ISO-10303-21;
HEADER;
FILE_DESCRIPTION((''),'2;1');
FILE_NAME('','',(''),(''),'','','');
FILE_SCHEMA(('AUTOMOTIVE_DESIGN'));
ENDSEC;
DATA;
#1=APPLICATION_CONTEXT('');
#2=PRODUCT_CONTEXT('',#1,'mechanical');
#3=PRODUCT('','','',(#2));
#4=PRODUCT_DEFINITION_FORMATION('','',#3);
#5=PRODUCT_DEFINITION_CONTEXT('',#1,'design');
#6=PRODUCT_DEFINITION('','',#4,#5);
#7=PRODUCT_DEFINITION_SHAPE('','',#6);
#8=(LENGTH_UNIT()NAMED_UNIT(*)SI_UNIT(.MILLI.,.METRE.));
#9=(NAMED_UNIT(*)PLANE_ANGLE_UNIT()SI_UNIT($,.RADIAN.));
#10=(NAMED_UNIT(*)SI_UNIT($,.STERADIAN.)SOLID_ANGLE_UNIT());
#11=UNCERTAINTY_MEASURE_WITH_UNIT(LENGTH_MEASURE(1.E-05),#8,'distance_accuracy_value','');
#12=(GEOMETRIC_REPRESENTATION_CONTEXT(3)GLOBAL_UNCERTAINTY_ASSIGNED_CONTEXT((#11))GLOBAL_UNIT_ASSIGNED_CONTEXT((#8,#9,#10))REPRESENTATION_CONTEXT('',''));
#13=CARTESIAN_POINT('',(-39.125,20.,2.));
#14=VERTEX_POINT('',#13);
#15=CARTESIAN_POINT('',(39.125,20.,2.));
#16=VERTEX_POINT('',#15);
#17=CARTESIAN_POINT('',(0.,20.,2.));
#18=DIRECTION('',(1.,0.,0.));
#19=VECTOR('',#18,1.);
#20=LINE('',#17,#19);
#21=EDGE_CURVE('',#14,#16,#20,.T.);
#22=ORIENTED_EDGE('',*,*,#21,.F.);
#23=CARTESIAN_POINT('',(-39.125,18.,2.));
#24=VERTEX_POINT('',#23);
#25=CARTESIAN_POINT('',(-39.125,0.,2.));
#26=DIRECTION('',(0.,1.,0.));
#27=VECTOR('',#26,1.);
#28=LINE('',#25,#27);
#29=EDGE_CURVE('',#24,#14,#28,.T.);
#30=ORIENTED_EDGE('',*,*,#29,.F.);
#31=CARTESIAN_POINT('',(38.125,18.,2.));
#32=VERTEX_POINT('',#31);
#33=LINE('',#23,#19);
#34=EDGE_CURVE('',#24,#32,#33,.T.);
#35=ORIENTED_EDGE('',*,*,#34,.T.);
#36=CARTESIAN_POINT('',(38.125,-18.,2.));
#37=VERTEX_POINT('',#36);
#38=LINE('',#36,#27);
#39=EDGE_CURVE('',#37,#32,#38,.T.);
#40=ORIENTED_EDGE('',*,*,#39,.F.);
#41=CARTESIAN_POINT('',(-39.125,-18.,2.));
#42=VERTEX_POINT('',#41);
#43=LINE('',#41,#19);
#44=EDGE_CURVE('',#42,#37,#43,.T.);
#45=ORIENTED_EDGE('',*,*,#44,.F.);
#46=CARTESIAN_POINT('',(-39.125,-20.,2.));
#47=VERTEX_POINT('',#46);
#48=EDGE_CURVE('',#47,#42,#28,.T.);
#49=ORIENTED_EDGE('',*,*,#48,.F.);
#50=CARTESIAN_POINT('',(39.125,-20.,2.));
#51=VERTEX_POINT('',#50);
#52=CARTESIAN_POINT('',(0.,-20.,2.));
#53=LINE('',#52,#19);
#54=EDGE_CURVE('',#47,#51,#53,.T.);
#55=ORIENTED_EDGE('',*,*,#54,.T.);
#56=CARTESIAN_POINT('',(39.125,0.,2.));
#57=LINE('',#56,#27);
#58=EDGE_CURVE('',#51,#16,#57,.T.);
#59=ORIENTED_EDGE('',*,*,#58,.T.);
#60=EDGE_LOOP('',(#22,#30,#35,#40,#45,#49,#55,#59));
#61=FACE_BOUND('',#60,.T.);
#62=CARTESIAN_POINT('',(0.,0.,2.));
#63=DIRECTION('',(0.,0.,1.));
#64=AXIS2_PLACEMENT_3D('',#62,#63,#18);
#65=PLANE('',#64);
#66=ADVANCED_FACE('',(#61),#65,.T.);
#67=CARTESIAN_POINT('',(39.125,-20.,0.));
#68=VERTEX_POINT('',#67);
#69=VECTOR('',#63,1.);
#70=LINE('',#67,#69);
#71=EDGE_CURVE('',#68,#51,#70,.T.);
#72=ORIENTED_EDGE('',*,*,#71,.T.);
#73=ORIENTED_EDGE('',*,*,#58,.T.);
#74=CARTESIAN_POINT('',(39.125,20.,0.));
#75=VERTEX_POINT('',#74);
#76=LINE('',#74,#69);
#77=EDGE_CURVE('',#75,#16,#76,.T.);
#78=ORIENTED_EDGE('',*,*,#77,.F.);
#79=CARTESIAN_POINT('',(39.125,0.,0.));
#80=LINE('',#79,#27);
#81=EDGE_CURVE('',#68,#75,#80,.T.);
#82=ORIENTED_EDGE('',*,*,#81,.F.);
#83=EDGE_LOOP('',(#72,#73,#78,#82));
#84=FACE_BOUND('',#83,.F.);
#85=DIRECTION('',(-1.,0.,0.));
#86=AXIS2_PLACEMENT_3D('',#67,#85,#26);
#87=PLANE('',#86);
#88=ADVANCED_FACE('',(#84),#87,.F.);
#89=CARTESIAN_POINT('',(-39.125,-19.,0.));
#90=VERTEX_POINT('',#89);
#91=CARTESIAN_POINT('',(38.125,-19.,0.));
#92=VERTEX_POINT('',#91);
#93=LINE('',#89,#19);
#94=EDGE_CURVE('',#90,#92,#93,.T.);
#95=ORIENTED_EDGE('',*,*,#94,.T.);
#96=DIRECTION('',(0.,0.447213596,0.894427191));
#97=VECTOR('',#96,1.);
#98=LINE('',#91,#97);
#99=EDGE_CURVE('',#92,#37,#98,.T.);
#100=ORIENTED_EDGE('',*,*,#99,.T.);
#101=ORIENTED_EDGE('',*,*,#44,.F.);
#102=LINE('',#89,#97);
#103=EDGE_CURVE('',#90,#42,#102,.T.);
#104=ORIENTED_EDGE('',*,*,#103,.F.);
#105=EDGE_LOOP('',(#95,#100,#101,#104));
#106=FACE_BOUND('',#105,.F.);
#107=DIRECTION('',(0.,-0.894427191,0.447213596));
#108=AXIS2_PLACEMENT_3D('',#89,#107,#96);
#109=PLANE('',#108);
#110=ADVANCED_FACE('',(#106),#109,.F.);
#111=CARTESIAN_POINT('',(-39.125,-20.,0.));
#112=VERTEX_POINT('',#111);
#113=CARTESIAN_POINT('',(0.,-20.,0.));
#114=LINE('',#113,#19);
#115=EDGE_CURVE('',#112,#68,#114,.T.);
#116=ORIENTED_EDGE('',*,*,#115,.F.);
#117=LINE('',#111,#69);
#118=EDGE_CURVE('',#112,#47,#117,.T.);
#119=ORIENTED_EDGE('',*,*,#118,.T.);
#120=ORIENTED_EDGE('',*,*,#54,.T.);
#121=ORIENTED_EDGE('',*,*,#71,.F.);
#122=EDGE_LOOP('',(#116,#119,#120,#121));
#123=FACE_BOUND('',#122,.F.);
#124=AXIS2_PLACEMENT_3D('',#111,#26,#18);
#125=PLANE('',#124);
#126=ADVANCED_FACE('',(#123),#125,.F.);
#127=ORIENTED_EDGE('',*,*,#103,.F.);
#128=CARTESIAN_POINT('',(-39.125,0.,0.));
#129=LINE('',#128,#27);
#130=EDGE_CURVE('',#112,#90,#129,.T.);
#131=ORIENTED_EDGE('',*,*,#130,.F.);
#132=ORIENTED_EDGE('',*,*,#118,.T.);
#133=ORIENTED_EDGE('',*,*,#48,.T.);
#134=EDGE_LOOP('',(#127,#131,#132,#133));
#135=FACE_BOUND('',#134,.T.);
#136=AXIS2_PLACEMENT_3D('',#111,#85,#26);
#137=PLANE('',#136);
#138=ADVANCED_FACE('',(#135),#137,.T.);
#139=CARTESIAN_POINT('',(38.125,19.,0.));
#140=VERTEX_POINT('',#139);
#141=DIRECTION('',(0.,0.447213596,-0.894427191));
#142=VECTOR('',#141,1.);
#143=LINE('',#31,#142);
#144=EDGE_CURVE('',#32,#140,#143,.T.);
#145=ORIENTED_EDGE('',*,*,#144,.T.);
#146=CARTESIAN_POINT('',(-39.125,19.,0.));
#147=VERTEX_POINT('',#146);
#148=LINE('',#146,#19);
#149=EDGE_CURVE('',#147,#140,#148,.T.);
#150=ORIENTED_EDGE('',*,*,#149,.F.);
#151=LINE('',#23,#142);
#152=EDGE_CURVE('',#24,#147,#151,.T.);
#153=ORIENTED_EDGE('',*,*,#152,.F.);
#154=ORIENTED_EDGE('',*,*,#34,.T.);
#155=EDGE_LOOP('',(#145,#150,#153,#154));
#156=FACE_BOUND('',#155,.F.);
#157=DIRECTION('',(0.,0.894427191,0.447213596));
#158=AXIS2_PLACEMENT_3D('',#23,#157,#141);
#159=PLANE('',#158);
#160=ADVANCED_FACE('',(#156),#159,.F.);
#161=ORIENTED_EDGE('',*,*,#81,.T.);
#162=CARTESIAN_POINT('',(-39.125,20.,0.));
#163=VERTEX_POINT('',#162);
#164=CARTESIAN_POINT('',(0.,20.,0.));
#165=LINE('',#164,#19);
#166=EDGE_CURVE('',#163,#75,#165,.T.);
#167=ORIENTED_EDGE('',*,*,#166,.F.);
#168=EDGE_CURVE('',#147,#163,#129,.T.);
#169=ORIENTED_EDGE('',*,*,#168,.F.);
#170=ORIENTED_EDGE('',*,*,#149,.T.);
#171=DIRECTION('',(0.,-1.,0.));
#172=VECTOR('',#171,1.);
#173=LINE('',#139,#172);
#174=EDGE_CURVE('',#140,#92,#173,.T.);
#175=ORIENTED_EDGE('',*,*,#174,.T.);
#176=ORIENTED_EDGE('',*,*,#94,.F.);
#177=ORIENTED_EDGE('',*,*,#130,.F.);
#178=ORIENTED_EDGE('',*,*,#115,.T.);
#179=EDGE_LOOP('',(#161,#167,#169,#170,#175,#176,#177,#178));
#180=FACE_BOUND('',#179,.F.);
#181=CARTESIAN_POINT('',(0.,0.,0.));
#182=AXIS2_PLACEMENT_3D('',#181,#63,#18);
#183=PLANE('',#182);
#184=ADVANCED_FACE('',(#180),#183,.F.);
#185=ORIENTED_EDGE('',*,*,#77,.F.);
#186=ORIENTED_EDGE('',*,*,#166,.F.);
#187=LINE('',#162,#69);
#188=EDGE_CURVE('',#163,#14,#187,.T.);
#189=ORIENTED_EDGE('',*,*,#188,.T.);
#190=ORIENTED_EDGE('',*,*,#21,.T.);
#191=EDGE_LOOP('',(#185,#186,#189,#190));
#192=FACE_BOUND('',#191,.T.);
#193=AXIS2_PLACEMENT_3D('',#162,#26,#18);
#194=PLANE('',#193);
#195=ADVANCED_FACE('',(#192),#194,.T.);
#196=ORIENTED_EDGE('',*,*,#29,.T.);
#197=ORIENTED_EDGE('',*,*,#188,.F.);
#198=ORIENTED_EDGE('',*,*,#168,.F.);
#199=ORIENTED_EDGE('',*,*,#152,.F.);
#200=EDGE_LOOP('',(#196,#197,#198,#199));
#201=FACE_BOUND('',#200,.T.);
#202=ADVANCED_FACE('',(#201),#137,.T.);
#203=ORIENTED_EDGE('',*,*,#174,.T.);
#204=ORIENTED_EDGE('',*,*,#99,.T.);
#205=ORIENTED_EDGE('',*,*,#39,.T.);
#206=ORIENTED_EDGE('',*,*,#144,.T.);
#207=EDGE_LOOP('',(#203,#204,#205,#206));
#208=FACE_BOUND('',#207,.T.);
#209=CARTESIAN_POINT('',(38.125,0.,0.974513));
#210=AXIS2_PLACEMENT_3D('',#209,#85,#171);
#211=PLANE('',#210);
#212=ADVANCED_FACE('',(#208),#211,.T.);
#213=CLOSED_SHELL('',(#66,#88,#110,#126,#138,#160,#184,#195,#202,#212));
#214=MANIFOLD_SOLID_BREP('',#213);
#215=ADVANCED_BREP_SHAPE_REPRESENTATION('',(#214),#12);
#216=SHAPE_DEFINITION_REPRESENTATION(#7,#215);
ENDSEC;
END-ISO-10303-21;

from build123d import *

# Parameters (mm, degrees)
F0_W     = 78.25
F0_H     = 40
F1_DEPTH = 2
F3_DEPTH = 77.25


with BuildPart() as f1:
    # F0 (on Top) → F1 (new body)
    with BuildSketch(Plane.XY):
        Rectangle(F0_W, F0_H)
    extrude(amount=F1_DEPTH)

    # F2 (on face) → F3 (cut)
    with BuildSketch(Plane(origin=(-39.125, 0, 0), x_dir=(0, -1, 0), z_dir=(-1, 0, 0))):
        Polygon((18, 2), (-18, 2), (-19, 0), (19, 0), align=None)
    extrude(amount=-F3_DEPTH, mode=Mode.SUBTRACT)


solid = f1.part
